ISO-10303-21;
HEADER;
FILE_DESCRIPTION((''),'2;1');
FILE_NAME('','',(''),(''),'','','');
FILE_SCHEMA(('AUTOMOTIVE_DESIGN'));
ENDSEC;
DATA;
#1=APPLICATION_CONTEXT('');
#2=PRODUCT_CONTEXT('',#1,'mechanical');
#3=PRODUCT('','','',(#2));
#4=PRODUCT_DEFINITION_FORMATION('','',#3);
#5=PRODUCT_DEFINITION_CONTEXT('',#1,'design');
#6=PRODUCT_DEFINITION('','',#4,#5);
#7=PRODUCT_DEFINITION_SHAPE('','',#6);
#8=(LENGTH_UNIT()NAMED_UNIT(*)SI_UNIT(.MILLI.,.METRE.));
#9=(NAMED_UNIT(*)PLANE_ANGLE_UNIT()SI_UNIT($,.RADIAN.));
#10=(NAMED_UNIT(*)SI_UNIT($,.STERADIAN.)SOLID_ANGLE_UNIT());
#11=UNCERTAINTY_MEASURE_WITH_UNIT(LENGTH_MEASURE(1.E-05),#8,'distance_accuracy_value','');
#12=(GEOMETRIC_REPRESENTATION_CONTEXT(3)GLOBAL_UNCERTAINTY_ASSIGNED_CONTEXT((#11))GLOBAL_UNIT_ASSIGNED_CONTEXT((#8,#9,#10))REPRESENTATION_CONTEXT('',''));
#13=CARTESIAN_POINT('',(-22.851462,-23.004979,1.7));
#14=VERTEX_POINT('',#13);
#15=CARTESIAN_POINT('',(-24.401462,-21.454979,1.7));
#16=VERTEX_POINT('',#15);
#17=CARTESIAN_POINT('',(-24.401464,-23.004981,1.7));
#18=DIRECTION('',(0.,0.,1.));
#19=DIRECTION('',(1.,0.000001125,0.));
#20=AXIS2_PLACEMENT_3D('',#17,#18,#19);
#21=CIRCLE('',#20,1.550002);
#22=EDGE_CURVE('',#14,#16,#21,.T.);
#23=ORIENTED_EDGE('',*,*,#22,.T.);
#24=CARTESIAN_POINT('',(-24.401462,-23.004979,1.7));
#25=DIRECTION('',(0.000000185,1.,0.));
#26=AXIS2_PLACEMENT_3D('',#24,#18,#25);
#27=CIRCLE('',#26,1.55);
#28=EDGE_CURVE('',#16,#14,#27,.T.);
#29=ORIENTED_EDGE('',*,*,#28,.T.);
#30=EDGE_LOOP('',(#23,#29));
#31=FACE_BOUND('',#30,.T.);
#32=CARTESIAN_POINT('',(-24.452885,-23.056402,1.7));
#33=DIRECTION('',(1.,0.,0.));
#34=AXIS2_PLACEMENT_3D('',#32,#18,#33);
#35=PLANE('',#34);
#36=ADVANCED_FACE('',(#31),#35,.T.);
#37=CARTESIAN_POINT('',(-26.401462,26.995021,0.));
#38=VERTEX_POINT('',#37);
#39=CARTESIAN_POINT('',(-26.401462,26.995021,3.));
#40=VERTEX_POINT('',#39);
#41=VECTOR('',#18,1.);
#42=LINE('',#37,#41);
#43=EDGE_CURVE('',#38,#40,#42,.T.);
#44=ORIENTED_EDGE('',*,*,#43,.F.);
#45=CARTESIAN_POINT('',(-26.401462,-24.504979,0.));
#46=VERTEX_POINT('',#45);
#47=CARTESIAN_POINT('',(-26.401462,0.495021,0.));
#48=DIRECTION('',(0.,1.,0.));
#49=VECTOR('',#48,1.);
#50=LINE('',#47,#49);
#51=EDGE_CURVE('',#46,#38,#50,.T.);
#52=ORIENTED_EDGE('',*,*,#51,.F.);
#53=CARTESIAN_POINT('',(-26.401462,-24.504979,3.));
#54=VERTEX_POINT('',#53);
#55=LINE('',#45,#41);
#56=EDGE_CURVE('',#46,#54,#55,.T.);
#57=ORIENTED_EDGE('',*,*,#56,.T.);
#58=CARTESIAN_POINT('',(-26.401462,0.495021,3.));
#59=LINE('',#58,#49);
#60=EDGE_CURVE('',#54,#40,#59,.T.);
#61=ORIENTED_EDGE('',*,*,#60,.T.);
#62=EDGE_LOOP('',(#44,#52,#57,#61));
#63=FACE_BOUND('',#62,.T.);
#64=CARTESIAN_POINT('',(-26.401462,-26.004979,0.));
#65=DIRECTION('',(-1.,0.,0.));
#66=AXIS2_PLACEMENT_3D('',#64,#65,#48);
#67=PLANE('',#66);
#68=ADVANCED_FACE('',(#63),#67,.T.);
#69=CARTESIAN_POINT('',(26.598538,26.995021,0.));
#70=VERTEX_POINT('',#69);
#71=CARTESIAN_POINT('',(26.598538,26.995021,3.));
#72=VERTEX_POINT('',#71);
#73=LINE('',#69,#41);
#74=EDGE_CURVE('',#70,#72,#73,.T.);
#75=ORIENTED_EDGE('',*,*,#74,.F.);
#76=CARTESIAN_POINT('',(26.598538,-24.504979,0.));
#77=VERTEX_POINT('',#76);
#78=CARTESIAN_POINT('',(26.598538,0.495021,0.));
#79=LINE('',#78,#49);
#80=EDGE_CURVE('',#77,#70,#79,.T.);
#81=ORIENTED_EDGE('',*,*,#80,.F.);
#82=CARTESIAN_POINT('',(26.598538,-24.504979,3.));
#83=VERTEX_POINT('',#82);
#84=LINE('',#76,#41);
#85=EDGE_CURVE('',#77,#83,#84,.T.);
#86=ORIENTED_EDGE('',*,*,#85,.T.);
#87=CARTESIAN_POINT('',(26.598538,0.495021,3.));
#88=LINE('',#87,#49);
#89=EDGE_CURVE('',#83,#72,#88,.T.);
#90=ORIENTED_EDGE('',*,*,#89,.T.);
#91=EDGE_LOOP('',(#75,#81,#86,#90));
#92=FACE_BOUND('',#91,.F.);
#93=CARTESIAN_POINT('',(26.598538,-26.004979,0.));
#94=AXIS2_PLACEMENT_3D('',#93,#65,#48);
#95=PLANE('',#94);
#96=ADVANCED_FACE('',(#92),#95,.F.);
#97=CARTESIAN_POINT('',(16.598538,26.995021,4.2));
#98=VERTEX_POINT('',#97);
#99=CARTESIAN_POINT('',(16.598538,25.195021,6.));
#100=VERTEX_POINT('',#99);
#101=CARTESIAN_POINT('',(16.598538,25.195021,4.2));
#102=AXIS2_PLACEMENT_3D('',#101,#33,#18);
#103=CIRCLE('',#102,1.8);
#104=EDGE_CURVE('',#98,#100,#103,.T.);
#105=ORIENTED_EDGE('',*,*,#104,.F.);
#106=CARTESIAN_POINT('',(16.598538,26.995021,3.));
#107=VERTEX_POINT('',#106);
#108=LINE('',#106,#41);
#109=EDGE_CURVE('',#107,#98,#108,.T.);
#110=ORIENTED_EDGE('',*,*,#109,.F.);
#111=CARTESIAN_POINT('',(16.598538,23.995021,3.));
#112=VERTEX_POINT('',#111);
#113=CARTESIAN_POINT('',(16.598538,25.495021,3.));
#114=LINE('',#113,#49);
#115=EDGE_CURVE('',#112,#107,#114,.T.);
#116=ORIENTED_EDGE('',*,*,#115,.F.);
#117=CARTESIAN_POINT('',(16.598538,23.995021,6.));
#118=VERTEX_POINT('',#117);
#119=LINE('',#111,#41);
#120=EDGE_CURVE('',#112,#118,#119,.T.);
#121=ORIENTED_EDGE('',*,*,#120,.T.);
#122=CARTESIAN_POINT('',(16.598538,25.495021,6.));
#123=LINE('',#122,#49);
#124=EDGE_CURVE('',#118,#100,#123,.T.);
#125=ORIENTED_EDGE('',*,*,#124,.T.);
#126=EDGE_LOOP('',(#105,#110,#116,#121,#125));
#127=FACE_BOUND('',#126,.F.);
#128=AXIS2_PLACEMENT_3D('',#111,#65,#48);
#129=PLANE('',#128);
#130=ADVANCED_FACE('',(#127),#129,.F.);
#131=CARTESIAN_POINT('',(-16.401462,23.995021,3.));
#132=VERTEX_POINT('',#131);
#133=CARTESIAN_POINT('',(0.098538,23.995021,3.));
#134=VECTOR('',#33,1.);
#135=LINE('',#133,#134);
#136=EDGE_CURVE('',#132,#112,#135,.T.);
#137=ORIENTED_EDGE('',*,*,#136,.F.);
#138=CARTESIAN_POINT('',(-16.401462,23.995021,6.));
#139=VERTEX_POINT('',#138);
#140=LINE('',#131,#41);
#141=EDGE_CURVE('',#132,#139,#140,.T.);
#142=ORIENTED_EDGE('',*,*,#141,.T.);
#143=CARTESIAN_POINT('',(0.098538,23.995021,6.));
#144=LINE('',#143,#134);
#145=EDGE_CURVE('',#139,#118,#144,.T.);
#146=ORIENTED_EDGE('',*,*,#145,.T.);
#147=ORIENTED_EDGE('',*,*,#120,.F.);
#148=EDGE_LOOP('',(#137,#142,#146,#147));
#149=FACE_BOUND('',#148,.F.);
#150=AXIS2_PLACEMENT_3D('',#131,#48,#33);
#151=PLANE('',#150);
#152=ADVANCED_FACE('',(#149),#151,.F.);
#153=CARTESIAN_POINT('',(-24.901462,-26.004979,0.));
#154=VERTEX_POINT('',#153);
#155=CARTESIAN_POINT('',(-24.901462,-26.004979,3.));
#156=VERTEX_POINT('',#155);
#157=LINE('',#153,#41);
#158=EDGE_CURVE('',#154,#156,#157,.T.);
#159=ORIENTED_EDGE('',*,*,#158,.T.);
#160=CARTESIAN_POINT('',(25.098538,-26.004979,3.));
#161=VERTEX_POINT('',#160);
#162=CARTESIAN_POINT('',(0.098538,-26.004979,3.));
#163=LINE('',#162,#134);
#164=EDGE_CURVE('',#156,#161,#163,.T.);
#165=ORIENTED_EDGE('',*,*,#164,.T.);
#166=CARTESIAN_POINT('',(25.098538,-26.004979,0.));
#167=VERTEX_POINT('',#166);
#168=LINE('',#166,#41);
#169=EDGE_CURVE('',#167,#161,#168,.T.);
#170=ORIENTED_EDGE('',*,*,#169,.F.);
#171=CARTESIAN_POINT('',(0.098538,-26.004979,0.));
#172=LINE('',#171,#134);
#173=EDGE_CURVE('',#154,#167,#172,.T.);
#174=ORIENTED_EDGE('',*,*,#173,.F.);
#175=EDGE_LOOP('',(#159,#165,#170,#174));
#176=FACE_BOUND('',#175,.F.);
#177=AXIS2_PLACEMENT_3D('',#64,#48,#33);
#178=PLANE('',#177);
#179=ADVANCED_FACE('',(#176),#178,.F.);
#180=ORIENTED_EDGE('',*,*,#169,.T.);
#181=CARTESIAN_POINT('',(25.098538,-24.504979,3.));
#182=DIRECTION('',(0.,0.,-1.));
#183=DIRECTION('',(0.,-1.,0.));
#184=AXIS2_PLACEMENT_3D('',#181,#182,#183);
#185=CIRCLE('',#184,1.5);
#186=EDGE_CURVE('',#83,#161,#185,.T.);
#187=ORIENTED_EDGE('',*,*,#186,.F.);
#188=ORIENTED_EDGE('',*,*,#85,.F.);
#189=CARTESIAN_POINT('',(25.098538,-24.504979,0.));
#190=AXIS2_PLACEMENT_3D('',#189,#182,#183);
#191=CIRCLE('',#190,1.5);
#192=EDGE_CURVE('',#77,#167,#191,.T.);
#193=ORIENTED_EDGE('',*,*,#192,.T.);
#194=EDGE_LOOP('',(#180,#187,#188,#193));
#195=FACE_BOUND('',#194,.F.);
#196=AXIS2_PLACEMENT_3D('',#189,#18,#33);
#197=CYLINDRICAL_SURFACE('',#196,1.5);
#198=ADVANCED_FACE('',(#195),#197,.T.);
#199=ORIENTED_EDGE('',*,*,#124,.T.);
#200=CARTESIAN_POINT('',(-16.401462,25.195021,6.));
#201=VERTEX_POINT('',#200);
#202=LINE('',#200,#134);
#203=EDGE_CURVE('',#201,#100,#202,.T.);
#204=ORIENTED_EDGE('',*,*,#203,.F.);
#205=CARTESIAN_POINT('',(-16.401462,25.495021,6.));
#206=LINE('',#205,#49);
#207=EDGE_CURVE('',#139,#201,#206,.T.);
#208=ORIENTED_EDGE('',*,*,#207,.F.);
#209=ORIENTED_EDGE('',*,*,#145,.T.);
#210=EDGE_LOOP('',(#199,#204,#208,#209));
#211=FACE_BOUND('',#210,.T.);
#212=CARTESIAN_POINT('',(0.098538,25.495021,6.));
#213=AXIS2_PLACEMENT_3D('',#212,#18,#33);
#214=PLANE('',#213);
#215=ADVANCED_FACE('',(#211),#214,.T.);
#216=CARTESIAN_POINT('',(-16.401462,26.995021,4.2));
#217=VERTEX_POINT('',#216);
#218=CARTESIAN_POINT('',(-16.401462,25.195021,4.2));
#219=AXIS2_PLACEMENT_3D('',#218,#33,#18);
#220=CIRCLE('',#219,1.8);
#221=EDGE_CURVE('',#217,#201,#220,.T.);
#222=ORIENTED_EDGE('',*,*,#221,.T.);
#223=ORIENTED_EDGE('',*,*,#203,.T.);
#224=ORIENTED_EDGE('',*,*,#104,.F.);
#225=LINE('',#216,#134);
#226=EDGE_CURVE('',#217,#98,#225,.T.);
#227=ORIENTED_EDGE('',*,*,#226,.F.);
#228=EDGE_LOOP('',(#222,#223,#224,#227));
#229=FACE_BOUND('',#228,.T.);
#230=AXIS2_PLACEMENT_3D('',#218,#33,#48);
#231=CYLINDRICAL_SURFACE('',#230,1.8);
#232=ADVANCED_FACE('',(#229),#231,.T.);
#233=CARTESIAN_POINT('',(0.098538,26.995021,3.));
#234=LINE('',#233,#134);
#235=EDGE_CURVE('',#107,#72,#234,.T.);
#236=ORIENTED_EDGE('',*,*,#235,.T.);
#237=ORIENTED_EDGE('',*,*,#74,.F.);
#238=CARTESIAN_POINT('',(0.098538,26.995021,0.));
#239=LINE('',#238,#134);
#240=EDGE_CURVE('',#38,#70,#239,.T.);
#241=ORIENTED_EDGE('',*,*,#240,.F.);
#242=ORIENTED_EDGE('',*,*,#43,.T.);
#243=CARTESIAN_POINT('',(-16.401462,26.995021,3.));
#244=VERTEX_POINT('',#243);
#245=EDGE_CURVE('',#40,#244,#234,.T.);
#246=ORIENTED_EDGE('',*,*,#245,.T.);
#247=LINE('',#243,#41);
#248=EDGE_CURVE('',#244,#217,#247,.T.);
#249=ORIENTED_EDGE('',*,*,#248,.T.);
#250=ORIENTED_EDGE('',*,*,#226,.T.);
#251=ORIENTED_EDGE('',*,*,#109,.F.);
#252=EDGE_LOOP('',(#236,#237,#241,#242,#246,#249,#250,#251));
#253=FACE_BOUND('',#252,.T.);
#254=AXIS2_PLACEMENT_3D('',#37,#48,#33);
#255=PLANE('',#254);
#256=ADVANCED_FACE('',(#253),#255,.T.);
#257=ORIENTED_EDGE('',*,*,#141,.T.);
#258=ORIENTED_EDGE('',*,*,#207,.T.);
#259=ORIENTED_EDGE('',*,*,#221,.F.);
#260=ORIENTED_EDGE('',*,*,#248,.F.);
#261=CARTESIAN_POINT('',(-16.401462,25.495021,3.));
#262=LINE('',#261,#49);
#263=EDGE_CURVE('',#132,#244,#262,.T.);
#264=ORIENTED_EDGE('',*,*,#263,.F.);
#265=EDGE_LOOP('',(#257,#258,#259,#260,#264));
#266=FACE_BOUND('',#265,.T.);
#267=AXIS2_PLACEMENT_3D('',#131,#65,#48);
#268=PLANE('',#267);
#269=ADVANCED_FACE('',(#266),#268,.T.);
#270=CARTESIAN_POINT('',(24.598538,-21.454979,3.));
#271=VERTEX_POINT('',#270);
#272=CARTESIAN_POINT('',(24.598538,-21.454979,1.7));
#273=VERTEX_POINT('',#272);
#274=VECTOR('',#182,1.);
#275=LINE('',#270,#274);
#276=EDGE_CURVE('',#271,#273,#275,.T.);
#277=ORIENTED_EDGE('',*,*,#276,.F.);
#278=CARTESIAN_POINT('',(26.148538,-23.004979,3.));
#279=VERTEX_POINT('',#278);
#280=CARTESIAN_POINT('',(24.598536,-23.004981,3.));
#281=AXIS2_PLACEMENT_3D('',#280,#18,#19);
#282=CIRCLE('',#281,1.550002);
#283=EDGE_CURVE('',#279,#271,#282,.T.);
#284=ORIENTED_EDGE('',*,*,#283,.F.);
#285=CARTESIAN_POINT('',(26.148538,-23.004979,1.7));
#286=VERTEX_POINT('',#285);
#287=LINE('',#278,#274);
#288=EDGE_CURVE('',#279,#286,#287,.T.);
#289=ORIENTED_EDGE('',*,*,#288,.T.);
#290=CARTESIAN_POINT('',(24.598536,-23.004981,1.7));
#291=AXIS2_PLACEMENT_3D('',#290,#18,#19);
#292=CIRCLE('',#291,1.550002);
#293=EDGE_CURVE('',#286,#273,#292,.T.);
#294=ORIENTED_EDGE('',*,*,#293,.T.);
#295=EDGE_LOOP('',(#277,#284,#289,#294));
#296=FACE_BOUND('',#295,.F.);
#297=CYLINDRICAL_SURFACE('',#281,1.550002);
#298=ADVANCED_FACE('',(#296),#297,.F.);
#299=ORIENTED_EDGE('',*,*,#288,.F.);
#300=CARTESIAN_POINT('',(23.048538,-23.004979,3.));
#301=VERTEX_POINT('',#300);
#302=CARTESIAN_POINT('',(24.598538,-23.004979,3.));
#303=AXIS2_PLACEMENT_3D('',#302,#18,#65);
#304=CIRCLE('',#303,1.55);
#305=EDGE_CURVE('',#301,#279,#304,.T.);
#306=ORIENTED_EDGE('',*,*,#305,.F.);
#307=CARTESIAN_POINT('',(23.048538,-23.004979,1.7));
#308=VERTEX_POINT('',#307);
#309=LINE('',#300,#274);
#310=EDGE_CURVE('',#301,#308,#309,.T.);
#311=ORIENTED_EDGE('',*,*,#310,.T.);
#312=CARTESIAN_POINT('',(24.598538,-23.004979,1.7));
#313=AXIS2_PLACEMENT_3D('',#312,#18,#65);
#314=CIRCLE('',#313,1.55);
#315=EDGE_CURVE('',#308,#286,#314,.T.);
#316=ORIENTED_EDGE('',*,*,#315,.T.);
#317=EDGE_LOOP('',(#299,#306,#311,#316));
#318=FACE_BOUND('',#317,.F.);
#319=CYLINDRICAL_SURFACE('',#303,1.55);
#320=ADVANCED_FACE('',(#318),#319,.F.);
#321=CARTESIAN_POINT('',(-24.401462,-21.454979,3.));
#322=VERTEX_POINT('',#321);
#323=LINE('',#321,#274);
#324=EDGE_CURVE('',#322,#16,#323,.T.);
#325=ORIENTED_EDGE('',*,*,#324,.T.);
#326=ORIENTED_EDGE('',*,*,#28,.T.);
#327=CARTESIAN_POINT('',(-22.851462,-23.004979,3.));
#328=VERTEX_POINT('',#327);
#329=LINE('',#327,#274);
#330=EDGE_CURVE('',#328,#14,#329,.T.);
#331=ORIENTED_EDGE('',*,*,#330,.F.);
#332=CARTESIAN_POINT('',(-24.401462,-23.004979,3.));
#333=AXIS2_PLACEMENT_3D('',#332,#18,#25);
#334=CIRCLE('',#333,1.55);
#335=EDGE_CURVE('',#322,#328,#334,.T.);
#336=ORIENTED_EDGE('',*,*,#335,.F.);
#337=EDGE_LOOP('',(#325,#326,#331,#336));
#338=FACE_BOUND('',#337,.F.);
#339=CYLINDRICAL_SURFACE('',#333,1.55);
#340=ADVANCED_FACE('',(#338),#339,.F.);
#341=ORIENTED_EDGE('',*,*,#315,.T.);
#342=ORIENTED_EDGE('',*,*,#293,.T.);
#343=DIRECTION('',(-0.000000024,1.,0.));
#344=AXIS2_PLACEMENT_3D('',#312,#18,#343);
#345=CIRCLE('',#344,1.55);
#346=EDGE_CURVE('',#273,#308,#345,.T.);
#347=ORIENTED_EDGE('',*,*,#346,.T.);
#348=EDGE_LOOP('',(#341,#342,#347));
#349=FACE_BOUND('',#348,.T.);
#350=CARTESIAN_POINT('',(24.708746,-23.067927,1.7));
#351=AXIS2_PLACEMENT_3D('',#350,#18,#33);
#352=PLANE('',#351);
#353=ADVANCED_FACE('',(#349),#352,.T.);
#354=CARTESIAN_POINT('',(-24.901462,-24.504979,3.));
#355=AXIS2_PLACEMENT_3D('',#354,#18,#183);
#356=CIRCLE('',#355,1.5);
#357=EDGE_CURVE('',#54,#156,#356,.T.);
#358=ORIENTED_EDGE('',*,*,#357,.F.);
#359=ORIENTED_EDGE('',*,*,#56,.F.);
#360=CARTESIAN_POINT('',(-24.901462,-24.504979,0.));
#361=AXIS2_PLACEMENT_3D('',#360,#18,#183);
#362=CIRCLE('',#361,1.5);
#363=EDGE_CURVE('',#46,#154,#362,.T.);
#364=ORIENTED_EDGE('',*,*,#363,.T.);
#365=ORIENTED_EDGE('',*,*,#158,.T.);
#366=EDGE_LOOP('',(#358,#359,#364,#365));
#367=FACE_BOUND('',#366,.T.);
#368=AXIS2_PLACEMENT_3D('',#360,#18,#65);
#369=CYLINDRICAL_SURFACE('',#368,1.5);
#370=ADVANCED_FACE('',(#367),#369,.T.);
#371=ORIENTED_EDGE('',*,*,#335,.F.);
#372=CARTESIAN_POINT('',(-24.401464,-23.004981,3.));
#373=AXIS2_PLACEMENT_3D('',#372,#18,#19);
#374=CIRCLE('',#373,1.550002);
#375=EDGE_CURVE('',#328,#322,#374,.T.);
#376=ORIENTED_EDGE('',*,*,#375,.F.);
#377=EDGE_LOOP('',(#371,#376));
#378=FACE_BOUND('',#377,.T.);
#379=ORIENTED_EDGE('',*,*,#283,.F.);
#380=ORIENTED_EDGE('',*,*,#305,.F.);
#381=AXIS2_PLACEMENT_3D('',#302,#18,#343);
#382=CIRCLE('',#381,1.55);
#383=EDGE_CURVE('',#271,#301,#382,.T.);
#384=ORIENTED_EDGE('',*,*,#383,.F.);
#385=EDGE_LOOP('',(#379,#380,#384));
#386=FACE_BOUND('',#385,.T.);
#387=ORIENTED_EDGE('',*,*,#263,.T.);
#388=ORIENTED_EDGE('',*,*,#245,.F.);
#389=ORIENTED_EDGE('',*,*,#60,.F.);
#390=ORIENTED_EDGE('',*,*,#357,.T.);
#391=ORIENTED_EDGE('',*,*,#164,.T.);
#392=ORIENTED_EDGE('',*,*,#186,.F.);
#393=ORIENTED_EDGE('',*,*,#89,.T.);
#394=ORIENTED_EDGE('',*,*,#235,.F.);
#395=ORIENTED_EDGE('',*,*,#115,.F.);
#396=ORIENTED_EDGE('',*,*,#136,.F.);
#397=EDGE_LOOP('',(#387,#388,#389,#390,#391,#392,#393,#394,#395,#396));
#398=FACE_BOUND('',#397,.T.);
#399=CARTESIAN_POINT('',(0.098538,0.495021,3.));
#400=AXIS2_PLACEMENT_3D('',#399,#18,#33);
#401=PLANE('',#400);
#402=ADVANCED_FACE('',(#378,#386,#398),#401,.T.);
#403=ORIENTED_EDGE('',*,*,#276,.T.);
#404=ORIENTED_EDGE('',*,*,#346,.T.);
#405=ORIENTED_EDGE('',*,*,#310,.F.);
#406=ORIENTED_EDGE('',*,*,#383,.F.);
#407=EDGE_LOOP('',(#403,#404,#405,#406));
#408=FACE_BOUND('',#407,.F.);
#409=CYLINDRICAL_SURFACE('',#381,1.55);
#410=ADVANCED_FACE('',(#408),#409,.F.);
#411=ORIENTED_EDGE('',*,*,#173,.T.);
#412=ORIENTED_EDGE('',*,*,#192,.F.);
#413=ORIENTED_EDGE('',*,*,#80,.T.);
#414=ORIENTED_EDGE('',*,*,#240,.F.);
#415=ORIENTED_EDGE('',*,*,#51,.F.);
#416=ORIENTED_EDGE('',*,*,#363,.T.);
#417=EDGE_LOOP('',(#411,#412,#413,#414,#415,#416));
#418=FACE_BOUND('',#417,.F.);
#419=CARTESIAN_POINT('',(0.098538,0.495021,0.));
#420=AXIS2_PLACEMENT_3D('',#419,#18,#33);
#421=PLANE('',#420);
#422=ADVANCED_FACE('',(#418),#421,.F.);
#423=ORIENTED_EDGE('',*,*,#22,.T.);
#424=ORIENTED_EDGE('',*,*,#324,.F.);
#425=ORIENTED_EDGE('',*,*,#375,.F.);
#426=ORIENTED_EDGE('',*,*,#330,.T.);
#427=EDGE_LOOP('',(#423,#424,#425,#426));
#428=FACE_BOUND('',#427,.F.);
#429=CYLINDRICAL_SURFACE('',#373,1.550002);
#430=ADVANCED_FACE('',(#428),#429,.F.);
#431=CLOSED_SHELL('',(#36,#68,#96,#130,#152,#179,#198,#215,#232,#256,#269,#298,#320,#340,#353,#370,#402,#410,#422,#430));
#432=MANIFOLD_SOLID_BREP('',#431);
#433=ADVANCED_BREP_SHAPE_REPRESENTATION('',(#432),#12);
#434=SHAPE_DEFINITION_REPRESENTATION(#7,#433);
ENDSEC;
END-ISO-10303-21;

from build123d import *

# Parameters (mm, degrees)
F0_W     = 53
F0_H     = 53
F1_DEPTH = 3
F3_DEPTH = 1.3
F4_W     = 33
F4_H     = 3
F5_DEPTH = 3
F6_R     = 1.8
F7_R     = 1.5


with BuildPart() as f1:
    # F0 (on Top) → F1 (new body)
    with BuildSketch(Plane.XY):
        with Locations((0.098538, 0.495021)):
            Rectangle(F0_W, F0_H)
    extrude(amount=F1_DEPTH)

    # F2 (on face) → F3 (cut)
    with BuildSketch(Plane.XY.offset(3)):
        with BuildLine():
            Line((-24.401462, -23.004979), (-24.401462, -21.454979))
            ThreePointArc((-24.401462, -21.454979), (-25.497478, -24.100995), (-22.851462, -23.004979))
            Line((-22.851462, -23.004979), (-24.401462, -23.004979))
        make_face()
        with BuildLine():
            ThreePointArc((26.148538, -23.004979), (25.694553, -21.908964), (24.598538, -21.454979))
            Line((24.598538, -21.454979), (24.598538, -23.004979))
            Line((24.598538, -23.004979), (23.048538, -23.004979))
            ThreePointArc((23.048538, -23.004979), (24.598538, -24.554979), (26.148538, -23.004979))
        make_face()
        with BuildLine():
            Line((24.598538, -23.004979), (24.598538, -21.454979))
            ThreePointArc((24.598538, -21.454979), (23.502522, -21.908964), (23.048538, -23.004979))
            Line((23.048538, -23.004979), (24.598538, -23.004979))
        make_face()
        with BuildLine():
            ThreePointArc((-22.851462, -23.004979), (-23.305447, -21.908964), (-24.401462, -21.454979))
            Line((-24.401462, -21.454979), (-24.401462, -23.004979))
            Line((-24.401462, -23.004979), (-22.851462, -23.004979))
        make_face()
    extrude(amount=-F3_DEPTH, mode=Mode.SUBTRACT)

    # F4 (on face) → F5 (join)
    with BuildSketch(Plane.XY.offset(3)):
        with Locations((0.098538, 25.495021)):
            Rectangle(F4_W, F4_H)
    extrude(amount=F5_DEPTH)

    # F6
    f6_edges = [f1.edges().sort_by_distance(p)[0] for p in [
        (0.098538, 26.995021, 6),
    ]]
    fillet(f6_edges, radius=F6_R)

    # F7
    f7_edges = [f1.edges().sort_by_distance(p)[0] for p in [
        (26.598538, -26.004979, 1.5),
        (-26.401462, -26.004979, 1.5),
    ]]
    fillet(f7_edges, radius=F7_R)


solid = f1.part
